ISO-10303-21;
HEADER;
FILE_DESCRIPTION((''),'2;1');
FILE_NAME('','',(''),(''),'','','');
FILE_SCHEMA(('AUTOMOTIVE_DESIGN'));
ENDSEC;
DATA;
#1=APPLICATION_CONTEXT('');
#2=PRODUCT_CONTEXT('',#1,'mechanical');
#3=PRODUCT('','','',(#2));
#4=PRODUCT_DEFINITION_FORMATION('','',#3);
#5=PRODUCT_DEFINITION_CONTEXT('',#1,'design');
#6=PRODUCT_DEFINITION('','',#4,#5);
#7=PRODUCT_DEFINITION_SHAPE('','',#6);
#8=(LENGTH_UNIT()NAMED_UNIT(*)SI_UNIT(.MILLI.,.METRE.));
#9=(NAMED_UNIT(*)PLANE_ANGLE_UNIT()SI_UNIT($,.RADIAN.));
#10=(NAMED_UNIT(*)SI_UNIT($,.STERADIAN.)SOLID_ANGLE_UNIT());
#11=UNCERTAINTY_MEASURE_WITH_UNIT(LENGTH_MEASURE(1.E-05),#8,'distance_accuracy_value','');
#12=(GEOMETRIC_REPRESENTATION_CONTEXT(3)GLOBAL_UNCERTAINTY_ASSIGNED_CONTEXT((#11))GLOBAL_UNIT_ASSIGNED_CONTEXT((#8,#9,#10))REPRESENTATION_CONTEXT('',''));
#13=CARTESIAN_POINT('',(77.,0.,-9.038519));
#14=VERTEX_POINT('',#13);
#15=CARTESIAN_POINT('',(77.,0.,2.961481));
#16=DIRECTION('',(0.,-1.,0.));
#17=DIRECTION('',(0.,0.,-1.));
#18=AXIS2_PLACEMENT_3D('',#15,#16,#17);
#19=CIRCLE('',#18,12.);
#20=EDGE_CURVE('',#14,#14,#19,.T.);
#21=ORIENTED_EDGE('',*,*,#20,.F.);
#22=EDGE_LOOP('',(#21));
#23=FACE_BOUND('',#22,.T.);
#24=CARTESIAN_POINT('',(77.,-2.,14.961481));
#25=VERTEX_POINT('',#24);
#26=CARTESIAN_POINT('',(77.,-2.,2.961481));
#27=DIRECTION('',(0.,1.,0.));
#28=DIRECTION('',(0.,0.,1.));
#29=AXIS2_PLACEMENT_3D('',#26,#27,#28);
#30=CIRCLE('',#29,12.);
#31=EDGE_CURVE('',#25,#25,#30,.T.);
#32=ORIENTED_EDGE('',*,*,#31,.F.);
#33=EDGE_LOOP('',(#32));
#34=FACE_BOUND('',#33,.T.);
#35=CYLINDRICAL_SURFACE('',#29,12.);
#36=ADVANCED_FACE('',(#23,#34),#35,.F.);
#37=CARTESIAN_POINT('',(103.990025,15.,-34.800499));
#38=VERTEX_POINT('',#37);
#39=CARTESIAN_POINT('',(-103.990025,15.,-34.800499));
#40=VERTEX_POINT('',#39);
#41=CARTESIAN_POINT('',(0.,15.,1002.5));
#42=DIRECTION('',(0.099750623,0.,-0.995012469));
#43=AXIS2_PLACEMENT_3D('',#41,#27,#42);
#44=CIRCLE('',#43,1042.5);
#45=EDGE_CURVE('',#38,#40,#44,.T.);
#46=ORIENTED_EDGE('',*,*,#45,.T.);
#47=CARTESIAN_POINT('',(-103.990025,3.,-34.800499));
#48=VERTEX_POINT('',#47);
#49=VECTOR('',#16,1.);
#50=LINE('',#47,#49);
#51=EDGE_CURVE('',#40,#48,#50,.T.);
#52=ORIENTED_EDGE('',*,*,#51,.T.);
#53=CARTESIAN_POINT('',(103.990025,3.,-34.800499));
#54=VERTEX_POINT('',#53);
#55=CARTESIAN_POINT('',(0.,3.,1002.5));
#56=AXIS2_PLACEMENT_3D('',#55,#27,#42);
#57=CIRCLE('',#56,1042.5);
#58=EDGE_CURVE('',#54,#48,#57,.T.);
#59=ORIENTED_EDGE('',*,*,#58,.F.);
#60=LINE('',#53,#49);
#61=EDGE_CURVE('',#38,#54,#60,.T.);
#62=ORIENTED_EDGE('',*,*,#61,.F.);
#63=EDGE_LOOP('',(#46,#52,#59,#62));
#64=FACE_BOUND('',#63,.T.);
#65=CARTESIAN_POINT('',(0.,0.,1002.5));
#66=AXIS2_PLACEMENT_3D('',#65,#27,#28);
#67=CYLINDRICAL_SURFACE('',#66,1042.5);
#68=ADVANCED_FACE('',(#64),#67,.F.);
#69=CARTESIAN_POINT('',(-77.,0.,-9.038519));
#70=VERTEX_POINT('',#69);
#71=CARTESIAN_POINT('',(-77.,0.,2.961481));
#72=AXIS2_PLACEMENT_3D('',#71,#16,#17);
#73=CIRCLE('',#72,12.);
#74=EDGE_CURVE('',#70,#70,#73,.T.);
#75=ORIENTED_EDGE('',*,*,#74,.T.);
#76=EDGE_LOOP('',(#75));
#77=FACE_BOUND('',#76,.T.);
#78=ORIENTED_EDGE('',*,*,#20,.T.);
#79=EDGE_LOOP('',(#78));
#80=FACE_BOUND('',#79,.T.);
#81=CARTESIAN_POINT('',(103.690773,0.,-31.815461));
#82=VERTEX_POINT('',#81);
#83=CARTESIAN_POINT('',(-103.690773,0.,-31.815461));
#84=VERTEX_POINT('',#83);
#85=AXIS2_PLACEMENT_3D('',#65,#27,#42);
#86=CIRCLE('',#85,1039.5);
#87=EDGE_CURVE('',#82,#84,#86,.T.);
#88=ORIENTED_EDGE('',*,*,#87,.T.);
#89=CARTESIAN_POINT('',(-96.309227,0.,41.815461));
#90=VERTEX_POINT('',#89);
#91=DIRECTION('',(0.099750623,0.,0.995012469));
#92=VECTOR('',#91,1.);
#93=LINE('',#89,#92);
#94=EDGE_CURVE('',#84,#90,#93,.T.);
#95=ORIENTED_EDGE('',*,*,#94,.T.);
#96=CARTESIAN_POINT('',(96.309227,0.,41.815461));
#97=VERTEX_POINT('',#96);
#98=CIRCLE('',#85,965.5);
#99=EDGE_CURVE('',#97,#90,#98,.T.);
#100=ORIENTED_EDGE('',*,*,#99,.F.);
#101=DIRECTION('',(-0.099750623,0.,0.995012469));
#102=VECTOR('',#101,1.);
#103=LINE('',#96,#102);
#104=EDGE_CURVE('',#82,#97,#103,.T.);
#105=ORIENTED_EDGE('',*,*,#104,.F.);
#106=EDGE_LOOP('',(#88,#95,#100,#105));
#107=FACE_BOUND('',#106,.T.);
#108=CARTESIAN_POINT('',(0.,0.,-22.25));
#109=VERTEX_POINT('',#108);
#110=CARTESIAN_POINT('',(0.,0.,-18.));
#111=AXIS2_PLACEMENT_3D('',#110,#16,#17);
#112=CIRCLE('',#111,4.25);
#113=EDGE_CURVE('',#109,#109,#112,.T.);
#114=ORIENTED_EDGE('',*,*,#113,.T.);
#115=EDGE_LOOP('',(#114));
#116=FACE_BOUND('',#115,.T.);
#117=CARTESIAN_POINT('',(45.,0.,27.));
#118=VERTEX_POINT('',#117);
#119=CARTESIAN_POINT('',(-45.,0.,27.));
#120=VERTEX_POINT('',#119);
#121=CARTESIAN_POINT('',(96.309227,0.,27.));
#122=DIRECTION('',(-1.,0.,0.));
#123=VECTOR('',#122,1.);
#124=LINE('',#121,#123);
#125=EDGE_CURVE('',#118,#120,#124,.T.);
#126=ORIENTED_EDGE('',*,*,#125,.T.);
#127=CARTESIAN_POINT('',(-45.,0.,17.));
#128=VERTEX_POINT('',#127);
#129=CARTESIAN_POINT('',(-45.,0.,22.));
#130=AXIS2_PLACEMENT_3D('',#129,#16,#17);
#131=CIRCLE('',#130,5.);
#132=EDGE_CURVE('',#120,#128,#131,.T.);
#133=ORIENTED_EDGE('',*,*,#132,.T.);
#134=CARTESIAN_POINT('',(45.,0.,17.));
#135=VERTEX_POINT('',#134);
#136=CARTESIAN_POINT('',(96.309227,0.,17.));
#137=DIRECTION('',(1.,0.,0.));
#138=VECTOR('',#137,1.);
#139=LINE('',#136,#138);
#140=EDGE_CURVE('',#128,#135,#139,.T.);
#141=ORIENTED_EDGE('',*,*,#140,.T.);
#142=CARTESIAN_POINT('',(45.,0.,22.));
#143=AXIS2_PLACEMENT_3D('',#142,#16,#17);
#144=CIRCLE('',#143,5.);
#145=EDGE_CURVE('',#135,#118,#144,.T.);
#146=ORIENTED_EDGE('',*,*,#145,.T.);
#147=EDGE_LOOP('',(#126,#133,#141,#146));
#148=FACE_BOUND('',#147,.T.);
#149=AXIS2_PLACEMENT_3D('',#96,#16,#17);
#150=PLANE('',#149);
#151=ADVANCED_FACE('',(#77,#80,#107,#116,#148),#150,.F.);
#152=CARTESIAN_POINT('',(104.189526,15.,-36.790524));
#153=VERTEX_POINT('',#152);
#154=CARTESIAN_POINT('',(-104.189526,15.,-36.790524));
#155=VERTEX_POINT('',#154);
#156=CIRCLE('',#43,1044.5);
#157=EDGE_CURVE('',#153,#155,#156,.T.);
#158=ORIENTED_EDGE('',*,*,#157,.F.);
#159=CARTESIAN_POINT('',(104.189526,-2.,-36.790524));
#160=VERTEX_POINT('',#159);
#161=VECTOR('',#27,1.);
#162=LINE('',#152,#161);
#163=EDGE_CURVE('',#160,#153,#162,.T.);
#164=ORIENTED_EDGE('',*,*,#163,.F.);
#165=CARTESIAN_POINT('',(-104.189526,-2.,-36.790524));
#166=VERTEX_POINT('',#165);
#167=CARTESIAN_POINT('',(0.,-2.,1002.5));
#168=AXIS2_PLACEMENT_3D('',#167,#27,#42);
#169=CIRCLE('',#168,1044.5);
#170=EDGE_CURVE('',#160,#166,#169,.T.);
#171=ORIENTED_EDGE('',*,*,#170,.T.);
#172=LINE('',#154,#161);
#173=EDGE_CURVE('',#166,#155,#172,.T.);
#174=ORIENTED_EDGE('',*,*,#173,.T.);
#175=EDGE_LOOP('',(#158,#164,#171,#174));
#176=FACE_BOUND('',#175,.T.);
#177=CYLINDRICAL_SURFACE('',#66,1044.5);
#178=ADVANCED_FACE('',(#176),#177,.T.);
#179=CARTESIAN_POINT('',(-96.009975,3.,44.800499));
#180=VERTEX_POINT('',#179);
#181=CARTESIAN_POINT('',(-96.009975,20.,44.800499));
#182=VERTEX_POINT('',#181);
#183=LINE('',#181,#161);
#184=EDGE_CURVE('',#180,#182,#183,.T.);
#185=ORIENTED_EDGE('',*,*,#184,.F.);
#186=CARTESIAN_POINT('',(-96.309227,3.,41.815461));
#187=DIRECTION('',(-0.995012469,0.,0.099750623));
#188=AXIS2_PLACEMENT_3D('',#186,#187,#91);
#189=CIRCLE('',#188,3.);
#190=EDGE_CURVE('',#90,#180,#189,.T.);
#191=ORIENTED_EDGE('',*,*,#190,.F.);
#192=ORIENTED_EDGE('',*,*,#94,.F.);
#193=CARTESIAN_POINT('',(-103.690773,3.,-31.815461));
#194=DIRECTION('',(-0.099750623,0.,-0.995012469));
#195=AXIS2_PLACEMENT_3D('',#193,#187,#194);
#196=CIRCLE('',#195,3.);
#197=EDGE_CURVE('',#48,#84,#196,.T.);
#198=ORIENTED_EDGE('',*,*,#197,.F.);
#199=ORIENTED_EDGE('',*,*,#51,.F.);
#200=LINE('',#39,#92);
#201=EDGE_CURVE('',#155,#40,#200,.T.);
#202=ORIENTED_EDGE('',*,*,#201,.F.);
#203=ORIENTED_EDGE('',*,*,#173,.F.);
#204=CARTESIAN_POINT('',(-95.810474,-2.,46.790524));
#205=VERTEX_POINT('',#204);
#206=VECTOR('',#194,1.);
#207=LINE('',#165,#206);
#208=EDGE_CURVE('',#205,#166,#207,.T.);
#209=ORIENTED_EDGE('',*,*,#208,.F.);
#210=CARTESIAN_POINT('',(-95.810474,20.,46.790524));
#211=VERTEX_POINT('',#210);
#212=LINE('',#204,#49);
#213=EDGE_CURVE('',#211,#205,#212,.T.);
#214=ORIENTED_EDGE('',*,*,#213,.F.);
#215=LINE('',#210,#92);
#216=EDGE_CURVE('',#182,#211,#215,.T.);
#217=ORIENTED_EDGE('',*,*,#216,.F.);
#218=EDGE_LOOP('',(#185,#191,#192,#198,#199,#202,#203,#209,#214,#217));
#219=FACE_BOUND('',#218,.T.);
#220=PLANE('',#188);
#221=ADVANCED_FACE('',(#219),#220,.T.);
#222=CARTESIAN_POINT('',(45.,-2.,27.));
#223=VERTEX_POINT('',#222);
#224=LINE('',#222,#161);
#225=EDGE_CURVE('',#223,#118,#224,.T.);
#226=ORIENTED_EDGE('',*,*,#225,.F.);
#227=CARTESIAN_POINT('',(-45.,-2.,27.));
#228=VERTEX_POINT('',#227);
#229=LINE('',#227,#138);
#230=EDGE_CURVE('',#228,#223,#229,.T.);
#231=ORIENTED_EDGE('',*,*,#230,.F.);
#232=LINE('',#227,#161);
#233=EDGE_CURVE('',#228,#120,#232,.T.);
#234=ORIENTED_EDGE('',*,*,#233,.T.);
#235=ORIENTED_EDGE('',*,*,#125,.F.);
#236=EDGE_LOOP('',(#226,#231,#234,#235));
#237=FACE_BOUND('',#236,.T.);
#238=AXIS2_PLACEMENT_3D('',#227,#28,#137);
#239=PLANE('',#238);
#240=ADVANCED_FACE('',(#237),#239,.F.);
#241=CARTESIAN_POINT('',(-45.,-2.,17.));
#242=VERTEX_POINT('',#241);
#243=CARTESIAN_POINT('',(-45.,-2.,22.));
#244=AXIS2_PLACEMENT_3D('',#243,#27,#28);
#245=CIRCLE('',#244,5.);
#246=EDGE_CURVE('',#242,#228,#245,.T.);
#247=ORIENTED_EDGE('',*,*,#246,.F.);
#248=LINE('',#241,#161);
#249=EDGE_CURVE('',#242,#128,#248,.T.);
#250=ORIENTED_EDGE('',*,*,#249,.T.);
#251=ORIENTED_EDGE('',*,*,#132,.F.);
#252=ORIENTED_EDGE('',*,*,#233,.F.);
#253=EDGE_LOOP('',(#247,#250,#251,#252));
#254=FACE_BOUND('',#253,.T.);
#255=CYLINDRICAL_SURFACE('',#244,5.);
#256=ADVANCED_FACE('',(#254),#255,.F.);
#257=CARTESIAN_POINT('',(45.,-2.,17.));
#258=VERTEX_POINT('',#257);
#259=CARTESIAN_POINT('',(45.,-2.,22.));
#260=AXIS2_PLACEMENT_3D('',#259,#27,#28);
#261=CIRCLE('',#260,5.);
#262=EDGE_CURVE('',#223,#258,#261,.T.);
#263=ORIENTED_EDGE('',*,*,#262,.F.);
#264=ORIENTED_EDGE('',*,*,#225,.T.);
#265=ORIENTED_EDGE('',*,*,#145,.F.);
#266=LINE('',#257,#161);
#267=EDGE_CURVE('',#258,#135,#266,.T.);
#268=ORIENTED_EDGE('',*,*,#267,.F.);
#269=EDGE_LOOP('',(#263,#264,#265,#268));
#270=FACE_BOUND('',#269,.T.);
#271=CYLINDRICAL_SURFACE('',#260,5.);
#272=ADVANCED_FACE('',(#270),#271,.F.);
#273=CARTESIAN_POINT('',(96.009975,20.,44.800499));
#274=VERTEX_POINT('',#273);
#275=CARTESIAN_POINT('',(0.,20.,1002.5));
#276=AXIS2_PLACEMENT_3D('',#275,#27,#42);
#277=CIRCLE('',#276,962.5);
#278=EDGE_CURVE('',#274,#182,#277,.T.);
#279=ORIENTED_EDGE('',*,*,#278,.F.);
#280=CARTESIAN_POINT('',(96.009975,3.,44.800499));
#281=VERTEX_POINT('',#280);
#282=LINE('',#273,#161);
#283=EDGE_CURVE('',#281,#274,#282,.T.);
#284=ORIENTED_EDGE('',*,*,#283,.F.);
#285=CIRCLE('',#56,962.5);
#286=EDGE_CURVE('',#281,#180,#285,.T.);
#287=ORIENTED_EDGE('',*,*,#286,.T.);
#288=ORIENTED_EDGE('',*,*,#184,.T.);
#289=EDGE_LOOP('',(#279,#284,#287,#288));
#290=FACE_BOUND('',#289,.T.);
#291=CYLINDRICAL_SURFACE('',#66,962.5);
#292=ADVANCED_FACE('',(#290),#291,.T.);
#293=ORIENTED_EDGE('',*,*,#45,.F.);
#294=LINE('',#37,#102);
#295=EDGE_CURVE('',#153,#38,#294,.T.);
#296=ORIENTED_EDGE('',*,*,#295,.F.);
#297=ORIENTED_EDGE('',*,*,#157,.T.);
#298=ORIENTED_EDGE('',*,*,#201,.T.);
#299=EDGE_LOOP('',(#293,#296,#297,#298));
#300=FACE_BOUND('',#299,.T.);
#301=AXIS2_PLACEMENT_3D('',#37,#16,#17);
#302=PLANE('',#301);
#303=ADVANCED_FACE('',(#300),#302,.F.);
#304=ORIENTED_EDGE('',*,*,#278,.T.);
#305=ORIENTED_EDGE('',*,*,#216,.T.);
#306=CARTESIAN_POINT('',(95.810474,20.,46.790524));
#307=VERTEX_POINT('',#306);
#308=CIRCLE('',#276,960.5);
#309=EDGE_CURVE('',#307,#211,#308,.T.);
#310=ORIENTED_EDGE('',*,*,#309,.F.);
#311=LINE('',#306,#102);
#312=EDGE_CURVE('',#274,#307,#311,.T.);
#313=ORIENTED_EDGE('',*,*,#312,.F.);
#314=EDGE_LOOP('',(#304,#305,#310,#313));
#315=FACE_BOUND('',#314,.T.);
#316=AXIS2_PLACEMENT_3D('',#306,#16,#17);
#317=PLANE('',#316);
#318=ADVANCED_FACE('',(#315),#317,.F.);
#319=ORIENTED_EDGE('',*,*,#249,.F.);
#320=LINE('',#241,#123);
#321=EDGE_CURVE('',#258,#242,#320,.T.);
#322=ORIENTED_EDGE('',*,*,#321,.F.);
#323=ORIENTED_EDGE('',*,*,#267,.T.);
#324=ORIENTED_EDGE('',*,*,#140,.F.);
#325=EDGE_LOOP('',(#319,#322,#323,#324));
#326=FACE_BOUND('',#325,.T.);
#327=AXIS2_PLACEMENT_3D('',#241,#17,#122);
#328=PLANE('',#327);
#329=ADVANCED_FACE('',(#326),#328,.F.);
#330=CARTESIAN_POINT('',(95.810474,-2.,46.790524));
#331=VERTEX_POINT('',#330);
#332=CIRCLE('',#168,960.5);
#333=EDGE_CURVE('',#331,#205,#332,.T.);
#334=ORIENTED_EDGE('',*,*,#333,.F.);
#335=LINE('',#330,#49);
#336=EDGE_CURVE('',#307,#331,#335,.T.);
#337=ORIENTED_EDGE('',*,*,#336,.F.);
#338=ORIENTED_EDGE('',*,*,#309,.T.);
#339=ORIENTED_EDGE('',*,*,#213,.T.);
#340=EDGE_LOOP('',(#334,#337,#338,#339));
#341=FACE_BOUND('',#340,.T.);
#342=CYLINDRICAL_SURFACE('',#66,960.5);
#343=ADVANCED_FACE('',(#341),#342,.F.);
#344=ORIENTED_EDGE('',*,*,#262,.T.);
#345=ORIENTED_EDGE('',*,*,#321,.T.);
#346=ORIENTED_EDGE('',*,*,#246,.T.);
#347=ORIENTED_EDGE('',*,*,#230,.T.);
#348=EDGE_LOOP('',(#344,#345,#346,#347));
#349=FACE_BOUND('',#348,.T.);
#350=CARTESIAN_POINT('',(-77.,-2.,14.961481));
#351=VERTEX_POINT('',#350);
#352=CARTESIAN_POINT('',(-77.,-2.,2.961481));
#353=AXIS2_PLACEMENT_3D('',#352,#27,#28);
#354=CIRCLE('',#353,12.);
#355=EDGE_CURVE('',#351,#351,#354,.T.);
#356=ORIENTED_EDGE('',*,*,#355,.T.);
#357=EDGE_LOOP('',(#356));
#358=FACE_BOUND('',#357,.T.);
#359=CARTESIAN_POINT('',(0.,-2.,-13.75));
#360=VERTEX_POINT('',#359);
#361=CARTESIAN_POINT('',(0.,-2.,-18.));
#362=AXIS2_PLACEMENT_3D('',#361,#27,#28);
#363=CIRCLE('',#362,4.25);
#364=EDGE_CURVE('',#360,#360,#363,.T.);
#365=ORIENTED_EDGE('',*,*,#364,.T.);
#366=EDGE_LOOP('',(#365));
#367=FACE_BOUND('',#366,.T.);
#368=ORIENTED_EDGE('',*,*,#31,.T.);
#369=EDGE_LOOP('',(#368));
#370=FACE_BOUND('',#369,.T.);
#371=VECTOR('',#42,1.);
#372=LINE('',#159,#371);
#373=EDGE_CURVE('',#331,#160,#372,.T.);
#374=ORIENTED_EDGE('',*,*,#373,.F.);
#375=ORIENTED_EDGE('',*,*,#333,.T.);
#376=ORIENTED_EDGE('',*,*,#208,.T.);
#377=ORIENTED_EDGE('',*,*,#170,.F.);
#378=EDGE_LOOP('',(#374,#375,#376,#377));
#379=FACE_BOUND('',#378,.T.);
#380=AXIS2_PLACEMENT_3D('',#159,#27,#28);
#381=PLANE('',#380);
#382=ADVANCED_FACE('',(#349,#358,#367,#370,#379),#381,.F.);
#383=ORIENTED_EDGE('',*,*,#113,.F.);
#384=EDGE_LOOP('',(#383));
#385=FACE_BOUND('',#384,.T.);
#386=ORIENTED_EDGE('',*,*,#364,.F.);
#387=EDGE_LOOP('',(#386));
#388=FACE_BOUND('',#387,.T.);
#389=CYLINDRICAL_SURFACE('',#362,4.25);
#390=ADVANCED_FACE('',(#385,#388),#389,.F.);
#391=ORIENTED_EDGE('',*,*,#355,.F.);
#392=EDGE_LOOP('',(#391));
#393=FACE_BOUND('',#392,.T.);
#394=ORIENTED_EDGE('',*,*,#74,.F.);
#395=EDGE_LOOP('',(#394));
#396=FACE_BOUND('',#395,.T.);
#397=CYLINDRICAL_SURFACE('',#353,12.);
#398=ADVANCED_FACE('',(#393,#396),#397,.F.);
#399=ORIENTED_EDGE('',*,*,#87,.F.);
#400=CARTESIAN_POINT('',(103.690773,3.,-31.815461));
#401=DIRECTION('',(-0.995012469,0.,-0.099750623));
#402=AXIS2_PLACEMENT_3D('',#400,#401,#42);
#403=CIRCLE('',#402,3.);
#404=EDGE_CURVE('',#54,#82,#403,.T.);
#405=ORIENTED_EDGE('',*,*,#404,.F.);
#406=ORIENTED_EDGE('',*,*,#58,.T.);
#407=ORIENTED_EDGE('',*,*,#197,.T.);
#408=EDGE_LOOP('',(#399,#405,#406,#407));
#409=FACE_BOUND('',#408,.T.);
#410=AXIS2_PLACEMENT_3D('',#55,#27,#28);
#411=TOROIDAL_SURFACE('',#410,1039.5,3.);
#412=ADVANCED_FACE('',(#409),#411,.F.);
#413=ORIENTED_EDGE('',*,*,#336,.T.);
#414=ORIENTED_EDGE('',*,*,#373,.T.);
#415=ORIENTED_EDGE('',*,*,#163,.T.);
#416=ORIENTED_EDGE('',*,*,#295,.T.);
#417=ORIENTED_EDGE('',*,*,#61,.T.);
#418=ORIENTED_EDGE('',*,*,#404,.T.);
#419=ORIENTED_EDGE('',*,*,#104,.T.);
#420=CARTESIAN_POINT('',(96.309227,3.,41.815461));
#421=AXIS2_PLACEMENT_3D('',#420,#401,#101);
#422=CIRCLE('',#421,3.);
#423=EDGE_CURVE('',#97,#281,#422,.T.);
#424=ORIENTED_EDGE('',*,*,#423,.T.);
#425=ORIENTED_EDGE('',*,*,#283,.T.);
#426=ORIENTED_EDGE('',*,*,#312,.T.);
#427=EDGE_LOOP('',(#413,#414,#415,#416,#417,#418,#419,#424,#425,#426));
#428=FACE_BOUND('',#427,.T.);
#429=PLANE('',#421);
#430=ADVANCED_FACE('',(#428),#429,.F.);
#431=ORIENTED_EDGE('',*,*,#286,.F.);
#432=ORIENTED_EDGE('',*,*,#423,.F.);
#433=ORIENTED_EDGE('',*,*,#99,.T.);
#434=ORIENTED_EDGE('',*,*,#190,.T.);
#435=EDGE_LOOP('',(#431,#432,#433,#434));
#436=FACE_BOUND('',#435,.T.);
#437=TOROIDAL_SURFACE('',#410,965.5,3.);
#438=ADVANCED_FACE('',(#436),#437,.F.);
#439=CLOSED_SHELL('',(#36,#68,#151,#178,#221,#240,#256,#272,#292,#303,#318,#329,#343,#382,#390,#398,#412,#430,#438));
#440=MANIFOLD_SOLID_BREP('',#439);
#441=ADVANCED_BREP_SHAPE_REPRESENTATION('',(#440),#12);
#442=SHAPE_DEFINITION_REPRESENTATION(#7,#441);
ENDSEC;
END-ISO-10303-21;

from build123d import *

# Parameters (mm, degrees)
MOUNTING_POINTS_DEPTH      = 116.951759253
MOUNTING_POINTS_DEPTH_BACK = 116.951759253
SKETCH3_R                  = 4.25
SKETCH3_R_2                = 12
SLOT_CLEARANCE_DEPTH       = 116.951759253
SLOT_CLEARANCE_DEPTH_BACK  = 116.951759253


with BuildPart() as part:
    # Sweep1: sweep along a path in Sketch1
    with BuildLine(Plane(origin=(0, 0, 0), x_dir=(1, 0, 0), z_dir=(0, 1, 0))) as sweep1_path:
        ThreePointArc((-100, -5), (0, 0), (100, -5))
    # Sketch2 → Sweep1 (sweep)
    with BuildSketch(Plane(origin=(0, 0, 0), x_dir=(0, 0, -1), z_dir=(1, 0, 0))):
        with BuildLine():
            Line((-37, 0), (37, 0))
            ThreePointArc((37, 0), (39.121320344, 0.878679656), (40, 3))
            Line((40, 3), (40, 15))
            Line((40, 15), (42, 15))
            Line((42, 15), (42, -2))
            Line((42, -2), (-42, -2))
            Line((-42, -2), (-42, 20))
            Line((-42, 20), (-40, 20))
            Line((-40, 20), (-40, 3))
            ThreePointArc((-40, 3), (-39.121320344, 0.878679656), (-37, 0))
        make_face()
    sweep(path=sweep1_path.line)

    # Sketch3 → Mounting points (cut, two sides: drawn at the far end of the back side and taken through both)
    with BuildSketch(Plane(origin=(0, 0, 0), x_dir=(1, 0, 0), z_dir=(0, 1, 0)).offset(-MOUNTING_POINTS_DEPTH_BACK)):
        with Locations(Location((0, 18, 0), (0, 0, 270))):
            Circle(SKETCH3_R)
        with Locations(Location((-77, -2.961481483, 0), (0, 0, 270))):
            Circle(SKETCH3_R_2)
        with Locations(Location((77, -2.961481483, 0), (0, 0, 270))):
            Circle(SKETCH3_R_2)
    extrude(amount=MOUNTING_POINTS_DEPTH + MOUNTING_POINTS_DEPTH_BACK, mode=Mode.SUBTRACT)

    # Sketch4 → Slot clearance (cut, two sides: drawn at the far end of the back side and taken through both)
    with BuildSketch(Plane(origin=(0, 0, 0), x_dir=(1, 0, 0), z_dir=(0, 1, 0)).offset(-SLOT_CLEARANCE_DEPTH_BACK)):
        with BuildLine():
            Line((-45, -17), (45, -17))
            ThreePointArc((45, -17), (50, -22), (45, -27))
            Line((45, -27), (-45, -27))
            ThreePointArc((-45, -27), (-50, -22), (-45, -17))
        make_face()
    extrude(amount=SLOT_CLEARANCE_DEPTH + SLOT_CLEARANCE_DEPTH_BACK, mode=Mode.SUBTRACT)


solid = part.part
